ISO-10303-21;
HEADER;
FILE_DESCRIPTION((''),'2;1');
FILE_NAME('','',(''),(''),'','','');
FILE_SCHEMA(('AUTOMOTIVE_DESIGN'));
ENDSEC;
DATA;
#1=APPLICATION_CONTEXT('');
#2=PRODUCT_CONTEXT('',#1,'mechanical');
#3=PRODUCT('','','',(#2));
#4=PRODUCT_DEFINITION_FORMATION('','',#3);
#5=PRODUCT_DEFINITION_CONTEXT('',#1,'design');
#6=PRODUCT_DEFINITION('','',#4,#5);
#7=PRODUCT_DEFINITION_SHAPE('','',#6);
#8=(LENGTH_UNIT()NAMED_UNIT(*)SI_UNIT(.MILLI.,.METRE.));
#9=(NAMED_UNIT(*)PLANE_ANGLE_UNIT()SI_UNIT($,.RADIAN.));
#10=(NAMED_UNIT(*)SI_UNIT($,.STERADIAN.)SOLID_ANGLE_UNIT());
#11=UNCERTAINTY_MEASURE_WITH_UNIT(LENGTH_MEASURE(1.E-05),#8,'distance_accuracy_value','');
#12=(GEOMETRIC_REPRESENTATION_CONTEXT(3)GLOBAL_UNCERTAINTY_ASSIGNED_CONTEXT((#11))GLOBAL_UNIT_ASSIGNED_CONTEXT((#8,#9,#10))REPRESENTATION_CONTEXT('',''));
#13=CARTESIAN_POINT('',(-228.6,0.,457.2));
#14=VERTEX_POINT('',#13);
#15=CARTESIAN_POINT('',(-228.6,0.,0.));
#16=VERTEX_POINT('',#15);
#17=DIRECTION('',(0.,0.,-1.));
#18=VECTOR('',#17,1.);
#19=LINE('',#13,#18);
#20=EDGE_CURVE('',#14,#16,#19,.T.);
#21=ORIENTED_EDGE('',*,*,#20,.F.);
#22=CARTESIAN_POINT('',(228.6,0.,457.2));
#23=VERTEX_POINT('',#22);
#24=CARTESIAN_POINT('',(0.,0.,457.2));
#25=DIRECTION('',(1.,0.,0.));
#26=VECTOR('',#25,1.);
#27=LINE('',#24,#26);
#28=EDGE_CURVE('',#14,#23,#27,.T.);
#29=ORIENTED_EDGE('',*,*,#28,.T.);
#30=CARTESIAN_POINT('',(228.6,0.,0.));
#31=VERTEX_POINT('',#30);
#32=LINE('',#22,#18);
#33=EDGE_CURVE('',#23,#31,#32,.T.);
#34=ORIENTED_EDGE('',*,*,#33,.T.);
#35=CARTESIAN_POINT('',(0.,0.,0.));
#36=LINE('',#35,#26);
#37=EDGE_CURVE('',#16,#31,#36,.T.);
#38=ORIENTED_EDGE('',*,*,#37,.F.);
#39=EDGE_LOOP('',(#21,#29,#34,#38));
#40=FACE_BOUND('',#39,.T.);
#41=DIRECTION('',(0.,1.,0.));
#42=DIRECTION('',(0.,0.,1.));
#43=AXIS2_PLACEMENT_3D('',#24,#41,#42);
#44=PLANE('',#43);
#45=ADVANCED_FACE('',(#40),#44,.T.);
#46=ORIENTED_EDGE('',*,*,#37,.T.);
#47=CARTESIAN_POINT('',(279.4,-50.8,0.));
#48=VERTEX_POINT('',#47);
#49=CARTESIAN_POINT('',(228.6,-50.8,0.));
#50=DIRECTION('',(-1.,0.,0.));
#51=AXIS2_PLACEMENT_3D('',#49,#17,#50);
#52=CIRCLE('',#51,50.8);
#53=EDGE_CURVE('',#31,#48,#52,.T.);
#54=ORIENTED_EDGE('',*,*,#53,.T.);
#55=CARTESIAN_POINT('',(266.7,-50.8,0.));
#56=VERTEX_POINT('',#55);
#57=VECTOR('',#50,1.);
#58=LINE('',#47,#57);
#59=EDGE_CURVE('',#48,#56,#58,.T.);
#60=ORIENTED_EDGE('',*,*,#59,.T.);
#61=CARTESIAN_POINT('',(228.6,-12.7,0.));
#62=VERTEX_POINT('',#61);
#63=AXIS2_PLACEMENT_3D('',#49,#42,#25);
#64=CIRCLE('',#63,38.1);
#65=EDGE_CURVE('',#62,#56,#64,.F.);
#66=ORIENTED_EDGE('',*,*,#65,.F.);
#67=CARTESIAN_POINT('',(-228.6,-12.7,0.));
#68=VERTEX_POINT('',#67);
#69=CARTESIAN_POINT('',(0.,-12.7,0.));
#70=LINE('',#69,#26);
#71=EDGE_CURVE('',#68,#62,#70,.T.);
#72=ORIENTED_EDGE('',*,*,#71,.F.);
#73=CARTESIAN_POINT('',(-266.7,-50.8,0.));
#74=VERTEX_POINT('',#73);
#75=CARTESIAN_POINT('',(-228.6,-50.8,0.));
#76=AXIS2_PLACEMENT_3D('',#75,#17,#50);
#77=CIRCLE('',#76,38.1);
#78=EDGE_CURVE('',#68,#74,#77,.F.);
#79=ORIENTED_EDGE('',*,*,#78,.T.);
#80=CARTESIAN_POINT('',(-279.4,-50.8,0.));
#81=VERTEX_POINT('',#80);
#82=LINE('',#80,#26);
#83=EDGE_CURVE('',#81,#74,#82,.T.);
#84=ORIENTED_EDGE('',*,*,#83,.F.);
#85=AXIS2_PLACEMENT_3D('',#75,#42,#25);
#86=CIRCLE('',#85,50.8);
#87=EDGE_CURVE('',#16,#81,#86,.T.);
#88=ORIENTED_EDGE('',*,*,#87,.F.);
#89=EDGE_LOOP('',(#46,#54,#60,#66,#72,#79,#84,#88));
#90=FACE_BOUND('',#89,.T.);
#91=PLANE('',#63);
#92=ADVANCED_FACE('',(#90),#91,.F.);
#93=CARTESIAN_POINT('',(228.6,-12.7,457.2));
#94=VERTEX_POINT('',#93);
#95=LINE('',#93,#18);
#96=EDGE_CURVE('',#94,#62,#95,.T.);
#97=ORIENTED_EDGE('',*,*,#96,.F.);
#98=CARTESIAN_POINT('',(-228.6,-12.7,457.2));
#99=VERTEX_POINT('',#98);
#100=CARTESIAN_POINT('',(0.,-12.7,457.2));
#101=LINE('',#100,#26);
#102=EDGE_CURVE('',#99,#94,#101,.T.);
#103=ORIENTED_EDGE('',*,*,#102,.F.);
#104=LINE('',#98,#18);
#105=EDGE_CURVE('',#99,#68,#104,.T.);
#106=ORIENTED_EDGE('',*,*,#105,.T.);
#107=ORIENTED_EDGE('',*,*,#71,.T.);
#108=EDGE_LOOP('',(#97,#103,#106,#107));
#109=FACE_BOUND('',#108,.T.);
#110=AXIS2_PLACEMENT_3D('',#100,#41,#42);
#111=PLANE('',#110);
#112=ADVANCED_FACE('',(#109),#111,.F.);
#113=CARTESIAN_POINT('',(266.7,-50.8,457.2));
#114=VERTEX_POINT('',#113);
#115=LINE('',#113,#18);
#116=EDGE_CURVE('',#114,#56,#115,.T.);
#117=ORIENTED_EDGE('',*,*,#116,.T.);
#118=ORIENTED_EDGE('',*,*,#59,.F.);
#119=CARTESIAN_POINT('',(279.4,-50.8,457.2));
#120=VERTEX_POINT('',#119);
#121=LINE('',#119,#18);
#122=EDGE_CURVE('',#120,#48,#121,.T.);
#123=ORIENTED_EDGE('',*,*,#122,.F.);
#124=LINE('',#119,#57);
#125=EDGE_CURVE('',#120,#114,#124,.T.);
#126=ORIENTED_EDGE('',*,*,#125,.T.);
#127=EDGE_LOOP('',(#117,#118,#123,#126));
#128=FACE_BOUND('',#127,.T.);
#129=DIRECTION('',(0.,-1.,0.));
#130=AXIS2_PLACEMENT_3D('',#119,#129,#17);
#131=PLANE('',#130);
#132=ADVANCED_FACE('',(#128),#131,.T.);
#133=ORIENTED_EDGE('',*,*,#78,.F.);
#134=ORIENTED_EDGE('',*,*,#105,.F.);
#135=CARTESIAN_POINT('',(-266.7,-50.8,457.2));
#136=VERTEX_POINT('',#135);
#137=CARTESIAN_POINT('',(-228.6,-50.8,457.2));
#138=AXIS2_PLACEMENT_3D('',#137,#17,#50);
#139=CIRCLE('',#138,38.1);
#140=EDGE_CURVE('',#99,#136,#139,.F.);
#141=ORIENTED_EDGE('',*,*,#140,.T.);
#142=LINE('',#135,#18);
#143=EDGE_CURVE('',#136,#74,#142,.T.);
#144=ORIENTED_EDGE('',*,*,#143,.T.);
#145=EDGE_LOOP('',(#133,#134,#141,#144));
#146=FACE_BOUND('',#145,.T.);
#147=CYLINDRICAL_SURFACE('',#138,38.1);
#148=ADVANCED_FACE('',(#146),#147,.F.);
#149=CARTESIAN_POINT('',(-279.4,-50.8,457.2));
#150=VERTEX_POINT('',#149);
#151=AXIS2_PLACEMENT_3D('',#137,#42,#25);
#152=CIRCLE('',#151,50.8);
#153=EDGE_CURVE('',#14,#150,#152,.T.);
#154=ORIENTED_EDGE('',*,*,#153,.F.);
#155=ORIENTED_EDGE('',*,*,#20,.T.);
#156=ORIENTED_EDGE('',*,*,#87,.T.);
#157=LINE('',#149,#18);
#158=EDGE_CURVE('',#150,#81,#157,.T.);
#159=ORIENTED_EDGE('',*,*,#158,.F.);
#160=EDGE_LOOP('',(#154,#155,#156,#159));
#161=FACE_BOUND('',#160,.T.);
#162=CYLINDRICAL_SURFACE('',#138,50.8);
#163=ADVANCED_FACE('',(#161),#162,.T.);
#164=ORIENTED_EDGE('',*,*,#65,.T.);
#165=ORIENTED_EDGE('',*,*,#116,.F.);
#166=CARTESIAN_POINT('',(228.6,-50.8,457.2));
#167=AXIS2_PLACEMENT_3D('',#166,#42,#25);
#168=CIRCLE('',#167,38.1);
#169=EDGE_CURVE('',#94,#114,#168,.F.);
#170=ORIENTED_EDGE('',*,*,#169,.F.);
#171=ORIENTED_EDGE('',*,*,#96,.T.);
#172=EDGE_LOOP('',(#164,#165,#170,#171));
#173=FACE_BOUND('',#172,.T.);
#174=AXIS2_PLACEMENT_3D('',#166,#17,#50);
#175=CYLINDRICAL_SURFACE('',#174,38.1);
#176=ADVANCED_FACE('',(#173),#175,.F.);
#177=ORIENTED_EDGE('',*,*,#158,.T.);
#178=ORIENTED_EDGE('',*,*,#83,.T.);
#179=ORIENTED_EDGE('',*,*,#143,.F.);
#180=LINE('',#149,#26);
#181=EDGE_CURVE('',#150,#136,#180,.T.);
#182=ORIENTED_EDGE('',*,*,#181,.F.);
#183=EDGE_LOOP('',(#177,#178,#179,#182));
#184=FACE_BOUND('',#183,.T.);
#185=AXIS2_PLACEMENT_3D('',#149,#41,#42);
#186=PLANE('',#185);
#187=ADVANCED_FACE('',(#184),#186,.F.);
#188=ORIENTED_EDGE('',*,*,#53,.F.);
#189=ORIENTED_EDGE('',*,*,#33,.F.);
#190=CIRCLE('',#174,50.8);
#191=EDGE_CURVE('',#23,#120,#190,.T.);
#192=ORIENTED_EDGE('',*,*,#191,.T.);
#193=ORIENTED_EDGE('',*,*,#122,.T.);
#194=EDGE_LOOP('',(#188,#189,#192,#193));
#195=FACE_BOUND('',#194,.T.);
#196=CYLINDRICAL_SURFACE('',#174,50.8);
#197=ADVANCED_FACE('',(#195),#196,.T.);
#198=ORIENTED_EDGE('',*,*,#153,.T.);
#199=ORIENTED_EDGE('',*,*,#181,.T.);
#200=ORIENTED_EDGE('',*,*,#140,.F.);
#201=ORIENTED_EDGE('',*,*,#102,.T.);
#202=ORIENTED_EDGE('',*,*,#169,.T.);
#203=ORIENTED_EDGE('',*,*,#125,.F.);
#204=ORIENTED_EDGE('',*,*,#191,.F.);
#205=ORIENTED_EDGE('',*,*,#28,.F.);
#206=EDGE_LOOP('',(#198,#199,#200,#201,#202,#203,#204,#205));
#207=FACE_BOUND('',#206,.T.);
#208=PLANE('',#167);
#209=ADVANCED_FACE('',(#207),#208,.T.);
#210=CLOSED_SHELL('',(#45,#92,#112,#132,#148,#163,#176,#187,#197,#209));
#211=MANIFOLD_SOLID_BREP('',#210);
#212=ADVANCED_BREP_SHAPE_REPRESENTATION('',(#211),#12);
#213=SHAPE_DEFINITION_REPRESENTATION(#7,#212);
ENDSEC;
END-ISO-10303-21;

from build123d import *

# Parameters (mm, degrees)
EXTRUDE_THIN1_DEPTH = 457.2


with BuildPart() as part:
    # Sketch1 → Extrude-Thin1 (new body)
    with BuildSketch(Plane.XY):
        with BuildLine():
            Line((0, 0), (228.6, 0))
            ThreePointArc((228.6, 0), (264.521024484, -14.878975516), (279.4, -50.8))
            Line((279.4, -50.8), (266.7, -50.8))
            ThreePointArc((266.7, -50.8), (255.540768363, -23.859231637), (228.6, -12.7))
            Line((228.6, -12.7), (0, -12.7))
            Line((0, -12.7), (0, 0))
        make_face()
    extrude_thin1 = extrude(amount=EXTRUDE_THIN1_DEPTH)

    # Mirror1: Extrude-Thin1 across plane
    add(extrude_thin1.mirror(Plane(origin=(0, -12.7, 457.2), x_dir=(0, 0, 1), z_dir=(-1, 0, 0))))


solid = part.part
